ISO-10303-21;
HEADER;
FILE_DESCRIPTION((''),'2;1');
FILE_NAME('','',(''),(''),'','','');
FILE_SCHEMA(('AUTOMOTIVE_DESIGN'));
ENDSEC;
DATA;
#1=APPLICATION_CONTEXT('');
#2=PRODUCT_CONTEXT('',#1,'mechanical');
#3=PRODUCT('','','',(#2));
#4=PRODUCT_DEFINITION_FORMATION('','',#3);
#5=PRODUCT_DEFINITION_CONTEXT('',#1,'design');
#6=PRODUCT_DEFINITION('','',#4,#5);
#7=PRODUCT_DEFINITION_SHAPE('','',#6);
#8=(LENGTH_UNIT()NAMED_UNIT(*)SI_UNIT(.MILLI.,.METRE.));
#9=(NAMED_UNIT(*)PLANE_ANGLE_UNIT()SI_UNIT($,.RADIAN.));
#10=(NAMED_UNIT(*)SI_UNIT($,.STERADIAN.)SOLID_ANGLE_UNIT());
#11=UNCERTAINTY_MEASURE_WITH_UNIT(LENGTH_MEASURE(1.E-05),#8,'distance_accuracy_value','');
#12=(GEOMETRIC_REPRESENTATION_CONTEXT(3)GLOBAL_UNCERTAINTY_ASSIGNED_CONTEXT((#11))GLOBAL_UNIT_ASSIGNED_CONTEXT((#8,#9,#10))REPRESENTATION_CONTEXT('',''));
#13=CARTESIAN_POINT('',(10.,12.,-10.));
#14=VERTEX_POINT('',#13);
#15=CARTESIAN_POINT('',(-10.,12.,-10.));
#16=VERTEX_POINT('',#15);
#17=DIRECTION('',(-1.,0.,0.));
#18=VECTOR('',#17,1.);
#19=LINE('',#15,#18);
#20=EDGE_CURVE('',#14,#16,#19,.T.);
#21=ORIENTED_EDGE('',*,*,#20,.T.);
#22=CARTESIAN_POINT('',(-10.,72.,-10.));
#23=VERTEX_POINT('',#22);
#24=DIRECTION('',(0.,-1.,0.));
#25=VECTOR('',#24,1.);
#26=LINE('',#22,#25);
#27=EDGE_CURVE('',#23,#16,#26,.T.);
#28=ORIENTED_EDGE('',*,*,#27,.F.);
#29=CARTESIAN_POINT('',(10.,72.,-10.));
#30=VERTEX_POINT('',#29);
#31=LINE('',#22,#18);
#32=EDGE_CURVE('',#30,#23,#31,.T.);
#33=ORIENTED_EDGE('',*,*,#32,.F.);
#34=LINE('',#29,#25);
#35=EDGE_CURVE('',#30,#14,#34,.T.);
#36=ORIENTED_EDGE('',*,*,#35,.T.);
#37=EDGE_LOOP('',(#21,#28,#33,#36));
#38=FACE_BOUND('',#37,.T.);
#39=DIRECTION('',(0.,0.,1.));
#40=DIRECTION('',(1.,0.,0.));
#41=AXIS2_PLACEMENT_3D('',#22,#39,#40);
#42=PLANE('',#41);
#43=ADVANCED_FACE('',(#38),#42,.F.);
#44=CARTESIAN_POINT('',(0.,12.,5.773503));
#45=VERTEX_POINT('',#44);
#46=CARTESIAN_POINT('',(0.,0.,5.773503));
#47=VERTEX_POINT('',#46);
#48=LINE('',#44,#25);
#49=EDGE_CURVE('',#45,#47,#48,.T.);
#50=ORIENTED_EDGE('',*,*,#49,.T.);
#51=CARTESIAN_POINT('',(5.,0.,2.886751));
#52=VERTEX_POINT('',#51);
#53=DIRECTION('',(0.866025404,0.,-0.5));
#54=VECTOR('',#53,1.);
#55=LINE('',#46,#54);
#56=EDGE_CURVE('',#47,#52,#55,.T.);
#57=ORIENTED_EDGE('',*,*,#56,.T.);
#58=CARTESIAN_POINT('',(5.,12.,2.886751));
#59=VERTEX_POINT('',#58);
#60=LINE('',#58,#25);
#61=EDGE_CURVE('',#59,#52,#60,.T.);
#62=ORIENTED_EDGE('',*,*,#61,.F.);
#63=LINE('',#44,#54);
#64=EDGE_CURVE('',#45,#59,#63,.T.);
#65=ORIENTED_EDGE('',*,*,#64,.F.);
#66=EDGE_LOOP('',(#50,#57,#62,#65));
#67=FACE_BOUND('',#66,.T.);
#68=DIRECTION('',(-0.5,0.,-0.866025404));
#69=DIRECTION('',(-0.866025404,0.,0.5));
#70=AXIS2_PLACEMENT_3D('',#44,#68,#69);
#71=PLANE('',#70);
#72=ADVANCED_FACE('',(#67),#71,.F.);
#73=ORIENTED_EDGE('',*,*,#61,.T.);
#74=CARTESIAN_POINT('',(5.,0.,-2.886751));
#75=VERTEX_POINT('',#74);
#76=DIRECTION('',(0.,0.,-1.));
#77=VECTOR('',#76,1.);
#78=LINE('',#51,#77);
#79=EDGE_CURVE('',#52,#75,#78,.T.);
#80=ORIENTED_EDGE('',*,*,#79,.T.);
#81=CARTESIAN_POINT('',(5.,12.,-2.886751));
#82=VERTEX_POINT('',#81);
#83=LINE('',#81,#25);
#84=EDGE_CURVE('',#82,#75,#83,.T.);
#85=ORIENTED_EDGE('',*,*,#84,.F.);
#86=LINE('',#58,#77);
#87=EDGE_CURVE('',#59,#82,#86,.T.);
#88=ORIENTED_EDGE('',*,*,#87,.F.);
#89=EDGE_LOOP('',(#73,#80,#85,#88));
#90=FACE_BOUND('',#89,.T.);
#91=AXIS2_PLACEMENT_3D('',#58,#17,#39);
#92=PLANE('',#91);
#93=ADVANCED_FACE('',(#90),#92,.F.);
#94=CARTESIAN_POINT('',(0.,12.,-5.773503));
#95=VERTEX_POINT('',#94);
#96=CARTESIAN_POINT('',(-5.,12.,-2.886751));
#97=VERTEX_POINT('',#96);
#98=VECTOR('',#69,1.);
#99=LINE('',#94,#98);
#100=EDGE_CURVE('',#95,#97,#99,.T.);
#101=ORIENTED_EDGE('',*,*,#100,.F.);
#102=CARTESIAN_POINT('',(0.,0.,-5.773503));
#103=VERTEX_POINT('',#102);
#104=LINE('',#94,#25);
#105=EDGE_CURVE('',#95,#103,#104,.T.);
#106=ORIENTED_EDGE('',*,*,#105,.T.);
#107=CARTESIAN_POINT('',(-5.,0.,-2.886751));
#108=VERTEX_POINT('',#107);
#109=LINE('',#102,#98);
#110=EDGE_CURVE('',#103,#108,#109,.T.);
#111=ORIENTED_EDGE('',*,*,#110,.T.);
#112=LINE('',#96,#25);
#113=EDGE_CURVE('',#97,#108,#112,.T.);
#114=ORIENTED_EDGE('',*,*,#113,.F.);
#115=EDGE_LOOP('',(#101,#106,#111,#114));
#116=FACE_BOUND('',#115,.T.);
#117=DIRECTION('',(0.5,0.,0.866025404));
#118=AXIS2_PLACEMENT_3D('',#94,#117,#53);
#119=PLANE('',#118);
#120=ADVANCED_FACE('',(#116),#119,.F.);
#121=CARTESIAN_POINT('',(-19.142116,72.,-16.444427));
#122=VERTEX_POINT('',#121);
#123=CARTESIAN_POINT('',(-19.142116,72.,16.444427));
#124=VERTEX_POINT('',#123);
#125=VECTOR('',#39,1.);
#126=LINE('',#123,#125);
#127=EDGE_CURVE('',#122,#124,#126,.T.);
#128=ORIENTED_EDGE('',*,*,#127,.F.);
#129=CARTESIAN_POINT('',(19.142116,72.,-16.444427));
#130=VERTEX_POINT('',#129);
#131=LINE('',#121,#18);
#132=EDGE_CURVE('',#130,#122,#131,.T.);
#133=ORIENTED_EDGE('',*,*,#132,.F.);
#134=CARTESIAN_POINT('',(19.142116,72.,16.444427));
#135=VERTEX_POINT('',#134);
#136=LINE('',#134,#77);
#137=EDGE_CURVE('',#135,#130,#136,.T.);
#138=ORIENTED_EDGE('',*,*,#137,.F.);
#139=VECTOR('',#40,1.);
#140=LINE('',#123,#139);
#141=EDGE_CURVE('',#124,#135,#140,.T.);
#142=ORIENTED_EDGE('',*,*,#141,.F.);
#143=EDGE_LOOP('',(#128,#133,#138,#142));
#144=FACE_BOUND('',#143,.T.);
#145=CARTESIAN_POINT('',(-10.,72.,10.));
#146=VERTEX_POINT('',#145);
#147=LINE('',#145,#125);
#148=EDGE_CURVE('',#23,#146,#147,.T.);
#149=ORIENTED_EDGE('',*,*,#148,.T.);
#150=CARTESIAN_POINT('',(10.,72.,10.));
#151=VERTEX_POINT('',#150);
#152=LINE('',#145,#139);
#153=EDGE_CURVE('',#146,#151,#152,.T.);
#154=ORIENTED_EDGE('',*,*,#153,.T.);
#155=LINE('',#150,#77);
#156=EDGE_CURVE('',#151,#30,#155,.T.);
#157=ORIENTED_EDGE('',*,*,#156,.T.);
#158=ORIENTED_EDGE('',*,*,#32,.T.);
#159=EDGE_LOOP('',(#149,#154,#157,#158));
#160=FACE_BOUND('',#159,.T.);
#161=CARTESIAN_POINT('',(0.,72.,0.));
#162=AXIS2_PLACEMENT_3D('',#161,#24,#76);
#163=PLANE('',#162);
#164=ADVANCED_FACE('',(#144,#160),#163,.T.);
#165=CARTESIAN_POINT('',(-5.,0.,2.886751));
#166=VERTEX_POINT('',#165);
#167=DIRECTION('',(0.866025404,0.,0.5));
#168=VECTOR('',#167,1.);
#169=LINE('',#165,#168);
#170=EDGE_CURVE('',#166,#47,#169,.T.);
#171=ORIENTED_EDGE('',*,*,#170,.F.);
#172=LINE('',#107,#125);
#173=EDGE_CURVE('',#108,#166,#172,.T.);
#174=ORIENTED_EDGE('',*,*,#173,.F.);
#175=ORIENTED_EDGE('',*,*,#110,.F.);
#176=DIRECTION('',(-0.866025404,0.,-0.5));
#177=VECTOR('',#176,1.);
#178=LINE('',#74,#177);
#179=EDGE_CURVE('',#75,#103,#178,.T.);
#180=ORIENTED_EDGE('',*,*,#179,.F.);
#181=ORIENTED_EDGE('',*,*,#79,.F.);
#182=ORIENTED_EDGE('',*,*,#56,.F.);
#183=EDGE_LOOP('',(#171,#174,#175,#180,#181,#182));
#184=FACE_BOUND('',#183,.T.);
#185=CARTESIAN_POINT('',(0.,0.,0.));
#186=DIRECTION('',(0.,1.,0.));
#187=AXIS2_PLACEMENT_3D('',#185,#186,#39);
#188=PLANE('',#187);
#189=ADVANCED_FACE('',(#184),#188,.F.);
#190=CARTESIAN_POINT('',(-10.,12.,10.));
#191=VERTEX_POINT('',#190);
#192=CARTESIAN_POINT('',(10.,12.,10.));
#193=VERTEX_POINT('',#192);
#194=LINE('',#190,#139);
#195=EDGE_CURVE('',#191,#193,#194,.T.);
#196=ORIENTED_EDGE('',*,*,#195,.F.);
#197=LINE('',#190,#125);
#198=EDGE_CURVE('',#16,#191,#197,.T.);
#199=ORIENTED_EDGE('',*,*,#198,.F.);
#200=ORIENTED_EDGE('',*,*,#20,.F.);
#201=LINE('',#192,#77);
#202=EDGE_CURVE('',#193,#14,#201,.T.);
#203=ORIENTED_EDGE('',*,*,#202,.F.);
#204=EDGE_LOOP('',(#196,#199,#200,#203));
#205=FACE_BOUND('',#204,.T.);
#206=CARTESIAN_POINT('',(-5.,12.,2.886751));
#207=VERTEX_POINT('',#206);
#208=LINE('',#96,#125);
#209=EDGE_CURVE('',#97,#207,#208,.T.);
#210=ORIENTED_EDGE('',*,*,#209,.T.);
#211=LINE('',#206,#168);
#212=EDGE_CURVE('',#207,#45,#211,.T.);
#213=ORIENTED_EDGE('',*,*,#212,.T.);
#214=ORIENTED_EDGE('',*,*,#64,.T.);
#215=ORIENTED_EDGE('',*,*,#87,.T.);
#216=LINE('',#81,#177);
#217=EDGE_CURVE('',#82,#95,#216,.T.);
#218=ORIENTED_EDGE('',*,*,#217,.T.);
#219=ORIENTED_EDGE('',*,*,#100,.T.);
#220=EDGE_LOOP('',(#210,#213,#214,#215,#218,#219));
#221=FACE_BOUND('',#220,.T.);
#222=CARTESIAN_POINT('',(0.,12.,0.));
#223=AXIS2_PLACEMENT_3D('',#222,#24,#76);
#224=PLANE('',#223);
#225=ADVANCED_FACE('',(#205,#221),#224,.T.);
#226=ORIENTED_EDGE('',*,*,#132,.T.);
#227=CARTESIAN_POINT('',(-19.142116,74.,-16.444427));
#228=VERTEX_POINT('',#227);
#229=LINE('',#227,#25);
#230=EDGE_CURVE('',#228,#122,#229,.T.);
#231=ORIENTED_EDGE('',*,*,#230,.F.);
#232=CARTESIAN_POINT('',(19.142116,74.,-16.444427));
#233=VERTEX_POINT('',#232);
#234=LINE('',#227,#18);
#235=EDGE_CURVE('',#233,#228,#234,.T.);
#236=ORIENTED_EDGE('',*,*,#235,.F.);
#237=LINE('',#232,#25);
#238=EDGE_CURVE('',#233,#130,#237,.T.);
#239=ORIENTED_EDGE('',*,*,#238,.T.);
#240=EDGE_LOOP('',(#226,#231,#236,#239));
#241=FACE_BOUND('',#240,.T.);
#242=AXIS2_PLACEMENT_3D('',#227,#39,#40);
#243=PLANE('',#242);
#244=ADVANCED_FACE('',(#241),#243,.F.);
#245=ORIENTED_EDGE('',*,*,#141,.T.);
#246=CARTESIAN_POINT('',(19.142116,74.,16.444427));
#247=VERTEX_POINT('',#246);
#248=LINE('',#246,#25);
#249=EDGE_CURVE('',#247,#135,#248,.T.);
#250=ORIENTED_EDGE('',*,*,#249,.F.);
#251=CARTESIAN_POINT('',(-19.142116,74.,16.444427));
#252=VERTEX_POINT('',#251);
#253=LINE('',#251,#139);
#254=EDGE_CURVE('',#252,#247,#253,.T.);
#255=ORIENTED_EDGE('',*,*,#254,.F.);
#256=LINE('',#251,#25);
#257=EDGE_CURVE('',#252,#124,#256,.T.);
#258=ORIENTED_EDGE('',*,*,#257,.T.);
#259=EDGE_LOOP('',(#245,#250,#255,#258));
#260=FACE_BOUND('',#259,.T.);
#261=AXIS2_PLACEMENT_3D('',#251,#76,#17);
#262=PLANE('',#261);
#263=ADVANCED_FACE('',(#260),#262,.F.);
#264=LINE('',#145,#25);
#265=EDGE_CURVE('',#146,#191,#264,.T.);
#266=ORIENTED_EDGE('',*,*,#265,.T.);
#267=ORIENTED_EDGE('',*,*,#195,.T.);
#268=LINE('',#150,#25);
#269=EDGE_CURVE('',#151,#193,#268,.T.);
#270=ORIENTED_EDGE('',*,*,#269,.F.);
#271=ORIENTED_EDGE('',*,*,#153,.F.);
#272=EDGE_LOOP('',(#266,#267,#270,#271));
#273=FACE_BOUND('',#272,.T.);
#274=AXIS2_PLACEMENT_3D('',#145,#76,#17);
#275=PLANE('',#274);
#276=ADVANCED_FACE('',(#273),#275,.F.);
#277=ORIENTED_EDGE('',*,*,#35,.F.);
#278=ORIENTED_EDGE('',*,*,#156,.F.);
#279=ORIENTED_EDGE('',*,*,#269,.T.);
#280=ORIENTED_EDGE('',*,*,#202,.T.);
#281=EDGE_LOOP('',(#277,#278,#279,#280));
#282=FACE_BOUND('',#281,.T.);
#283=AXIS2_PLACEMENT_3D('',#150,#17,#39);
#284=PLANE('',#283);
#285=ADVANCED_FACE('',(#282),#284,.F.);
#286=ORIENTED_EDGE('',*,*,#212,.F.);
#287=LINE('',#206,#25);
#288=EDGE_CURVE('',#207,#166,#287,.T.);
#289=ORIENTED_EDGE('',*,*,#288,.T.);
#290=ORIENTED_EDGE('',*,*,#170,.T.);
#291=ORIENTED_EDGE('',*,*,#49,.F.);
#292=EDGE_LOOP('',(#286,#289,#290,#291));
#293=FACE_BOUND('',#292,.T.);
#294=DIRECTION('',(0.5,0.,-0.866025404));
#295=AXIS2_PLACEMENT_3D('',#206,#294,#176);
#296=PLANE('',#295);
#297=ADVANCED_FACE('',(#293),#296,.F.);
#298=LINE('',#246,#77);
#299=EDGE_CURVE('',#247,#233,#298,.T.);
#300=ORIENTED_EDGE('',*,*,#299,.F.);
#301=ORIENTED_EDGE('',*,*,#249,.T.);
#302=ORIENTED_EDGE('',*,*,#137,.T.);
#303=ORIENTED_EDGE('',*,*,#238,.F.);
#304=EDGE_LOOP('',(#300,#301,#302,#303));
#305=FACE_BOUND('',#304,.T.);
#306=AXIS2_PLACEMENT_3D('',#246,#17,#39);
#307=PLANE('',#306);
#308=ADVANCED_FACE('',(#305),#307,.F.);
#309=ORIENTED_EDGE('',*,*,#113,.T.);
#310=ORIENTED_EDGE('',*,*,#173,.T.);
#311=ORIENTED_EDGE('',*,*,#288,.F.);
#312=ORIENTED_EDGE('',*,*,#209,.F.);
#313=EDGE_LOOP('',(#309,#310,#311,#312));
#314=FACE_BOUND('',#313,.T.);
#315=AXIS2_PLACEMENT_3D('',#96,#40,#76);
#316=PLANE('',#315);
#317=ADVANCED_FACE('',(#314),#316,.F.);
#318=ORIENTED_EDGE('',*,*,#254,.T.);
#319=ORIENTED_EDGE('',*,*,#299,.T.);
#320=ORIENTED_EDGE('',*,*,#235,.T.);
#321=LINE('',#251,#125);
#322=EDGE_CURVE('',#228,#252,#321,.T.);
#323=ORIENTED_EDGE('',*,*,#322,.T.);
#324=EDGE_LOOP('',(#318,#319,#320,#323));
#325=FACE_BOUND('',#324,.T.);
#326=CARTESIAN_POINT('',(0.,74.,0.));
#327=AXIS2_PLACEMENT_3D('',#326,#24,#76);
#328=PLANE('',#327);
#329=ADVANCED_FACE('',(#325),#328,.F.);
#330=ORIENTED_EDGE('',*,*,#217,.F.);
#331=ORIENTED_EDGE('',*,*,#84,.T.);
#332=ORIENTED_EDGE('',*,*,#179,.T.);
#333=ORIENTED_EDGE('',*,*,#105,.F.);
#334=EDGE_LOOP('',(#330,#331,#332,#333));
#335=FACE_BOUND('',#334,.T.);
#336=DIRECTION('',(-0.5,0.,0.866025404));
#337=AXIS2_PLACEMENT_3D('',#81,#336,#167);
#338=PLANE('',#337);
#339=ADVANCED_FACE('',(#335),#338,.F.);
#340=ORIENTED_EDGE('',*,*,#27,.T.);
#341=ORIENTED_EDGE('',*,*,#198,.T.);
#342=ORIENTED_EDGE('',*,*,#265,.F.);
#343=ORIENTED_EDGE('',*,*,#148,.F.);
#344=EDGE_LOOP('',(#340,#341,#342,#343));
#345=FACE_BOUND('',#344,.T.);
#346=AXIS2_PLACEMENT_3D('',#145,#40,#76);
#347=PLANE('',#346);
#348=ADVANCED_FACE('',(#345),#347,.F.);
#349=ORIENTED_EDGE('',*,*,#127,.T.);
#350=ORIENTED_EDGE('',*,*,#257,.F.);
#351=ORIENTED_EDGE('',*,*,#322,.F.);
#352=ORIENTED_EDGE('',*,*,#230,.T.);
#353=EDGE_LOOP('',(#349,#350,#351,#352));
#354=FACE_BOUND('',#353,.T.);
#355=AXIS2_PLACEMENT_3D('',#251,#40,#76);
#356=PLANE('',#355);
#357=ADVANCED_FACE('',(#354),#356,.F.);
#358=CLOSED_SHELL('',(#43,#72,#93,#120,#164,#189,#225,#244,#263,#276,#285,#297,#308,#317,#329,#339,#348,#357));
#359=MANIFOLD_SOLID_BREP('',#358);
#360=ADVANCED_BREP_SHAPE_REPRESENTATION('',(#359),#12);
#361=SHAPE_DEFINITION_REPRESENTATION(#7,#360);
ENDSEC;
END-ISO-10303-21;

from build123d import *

# Parameters (mm, degrees)
BOSS_EXTRUDE1_DEPTH = 12
SKETCH2_W           = 20
SKETCH2_H           = 20
BOSS_EXTRUDE2_DEPTH = 60
SKETCH3_W           = 38.284232122
SKETCH3_H           = 32.888854422
BOSS_EXTRUDE3_DEPTH = 2


with BuildPart() as part:
    # Sketch1 → Boss-Extrude1 (new body)
    with BuildSketch(Plane(origin=(0, 0, 0), x_dir=(1, 0, 0), z_dir=(0, 1, 0))):
        Polygon((0, 5.773502692), (-5, 2.886751346), (-5, -2.886751346), (0, -5.773502692), (5, -2.886751346), (5, 2.886751346), align=None)
    extrude(amount=BOSS_EXTRUDE1_DEPTH)

    # Sketch2 → Boss-Extrude2 (add)
    with BuildSketch(Plane(origin=(0, 12, 0), x_dir=(1, 0, 0), z_dir=(0, 1, 0))):
        Rectangle(SKETCH2_W, SKETCH2_H)
    extrude(amount=BOSS_EXTRUDE2_DEPTH)

    # Sketch3 → Boss-Extrude3 (add)
    with BuildSketch(Plane(origin=(0, 72, 0), x_dir=(1, 0, 0), z_dir=(0, 1, 0))):
        Rectangle(SKETCH3_W, SKETCH3_H)
    extrude(amount=BOSS_EXTRUDE3_DEPTH)


solid = part.part
